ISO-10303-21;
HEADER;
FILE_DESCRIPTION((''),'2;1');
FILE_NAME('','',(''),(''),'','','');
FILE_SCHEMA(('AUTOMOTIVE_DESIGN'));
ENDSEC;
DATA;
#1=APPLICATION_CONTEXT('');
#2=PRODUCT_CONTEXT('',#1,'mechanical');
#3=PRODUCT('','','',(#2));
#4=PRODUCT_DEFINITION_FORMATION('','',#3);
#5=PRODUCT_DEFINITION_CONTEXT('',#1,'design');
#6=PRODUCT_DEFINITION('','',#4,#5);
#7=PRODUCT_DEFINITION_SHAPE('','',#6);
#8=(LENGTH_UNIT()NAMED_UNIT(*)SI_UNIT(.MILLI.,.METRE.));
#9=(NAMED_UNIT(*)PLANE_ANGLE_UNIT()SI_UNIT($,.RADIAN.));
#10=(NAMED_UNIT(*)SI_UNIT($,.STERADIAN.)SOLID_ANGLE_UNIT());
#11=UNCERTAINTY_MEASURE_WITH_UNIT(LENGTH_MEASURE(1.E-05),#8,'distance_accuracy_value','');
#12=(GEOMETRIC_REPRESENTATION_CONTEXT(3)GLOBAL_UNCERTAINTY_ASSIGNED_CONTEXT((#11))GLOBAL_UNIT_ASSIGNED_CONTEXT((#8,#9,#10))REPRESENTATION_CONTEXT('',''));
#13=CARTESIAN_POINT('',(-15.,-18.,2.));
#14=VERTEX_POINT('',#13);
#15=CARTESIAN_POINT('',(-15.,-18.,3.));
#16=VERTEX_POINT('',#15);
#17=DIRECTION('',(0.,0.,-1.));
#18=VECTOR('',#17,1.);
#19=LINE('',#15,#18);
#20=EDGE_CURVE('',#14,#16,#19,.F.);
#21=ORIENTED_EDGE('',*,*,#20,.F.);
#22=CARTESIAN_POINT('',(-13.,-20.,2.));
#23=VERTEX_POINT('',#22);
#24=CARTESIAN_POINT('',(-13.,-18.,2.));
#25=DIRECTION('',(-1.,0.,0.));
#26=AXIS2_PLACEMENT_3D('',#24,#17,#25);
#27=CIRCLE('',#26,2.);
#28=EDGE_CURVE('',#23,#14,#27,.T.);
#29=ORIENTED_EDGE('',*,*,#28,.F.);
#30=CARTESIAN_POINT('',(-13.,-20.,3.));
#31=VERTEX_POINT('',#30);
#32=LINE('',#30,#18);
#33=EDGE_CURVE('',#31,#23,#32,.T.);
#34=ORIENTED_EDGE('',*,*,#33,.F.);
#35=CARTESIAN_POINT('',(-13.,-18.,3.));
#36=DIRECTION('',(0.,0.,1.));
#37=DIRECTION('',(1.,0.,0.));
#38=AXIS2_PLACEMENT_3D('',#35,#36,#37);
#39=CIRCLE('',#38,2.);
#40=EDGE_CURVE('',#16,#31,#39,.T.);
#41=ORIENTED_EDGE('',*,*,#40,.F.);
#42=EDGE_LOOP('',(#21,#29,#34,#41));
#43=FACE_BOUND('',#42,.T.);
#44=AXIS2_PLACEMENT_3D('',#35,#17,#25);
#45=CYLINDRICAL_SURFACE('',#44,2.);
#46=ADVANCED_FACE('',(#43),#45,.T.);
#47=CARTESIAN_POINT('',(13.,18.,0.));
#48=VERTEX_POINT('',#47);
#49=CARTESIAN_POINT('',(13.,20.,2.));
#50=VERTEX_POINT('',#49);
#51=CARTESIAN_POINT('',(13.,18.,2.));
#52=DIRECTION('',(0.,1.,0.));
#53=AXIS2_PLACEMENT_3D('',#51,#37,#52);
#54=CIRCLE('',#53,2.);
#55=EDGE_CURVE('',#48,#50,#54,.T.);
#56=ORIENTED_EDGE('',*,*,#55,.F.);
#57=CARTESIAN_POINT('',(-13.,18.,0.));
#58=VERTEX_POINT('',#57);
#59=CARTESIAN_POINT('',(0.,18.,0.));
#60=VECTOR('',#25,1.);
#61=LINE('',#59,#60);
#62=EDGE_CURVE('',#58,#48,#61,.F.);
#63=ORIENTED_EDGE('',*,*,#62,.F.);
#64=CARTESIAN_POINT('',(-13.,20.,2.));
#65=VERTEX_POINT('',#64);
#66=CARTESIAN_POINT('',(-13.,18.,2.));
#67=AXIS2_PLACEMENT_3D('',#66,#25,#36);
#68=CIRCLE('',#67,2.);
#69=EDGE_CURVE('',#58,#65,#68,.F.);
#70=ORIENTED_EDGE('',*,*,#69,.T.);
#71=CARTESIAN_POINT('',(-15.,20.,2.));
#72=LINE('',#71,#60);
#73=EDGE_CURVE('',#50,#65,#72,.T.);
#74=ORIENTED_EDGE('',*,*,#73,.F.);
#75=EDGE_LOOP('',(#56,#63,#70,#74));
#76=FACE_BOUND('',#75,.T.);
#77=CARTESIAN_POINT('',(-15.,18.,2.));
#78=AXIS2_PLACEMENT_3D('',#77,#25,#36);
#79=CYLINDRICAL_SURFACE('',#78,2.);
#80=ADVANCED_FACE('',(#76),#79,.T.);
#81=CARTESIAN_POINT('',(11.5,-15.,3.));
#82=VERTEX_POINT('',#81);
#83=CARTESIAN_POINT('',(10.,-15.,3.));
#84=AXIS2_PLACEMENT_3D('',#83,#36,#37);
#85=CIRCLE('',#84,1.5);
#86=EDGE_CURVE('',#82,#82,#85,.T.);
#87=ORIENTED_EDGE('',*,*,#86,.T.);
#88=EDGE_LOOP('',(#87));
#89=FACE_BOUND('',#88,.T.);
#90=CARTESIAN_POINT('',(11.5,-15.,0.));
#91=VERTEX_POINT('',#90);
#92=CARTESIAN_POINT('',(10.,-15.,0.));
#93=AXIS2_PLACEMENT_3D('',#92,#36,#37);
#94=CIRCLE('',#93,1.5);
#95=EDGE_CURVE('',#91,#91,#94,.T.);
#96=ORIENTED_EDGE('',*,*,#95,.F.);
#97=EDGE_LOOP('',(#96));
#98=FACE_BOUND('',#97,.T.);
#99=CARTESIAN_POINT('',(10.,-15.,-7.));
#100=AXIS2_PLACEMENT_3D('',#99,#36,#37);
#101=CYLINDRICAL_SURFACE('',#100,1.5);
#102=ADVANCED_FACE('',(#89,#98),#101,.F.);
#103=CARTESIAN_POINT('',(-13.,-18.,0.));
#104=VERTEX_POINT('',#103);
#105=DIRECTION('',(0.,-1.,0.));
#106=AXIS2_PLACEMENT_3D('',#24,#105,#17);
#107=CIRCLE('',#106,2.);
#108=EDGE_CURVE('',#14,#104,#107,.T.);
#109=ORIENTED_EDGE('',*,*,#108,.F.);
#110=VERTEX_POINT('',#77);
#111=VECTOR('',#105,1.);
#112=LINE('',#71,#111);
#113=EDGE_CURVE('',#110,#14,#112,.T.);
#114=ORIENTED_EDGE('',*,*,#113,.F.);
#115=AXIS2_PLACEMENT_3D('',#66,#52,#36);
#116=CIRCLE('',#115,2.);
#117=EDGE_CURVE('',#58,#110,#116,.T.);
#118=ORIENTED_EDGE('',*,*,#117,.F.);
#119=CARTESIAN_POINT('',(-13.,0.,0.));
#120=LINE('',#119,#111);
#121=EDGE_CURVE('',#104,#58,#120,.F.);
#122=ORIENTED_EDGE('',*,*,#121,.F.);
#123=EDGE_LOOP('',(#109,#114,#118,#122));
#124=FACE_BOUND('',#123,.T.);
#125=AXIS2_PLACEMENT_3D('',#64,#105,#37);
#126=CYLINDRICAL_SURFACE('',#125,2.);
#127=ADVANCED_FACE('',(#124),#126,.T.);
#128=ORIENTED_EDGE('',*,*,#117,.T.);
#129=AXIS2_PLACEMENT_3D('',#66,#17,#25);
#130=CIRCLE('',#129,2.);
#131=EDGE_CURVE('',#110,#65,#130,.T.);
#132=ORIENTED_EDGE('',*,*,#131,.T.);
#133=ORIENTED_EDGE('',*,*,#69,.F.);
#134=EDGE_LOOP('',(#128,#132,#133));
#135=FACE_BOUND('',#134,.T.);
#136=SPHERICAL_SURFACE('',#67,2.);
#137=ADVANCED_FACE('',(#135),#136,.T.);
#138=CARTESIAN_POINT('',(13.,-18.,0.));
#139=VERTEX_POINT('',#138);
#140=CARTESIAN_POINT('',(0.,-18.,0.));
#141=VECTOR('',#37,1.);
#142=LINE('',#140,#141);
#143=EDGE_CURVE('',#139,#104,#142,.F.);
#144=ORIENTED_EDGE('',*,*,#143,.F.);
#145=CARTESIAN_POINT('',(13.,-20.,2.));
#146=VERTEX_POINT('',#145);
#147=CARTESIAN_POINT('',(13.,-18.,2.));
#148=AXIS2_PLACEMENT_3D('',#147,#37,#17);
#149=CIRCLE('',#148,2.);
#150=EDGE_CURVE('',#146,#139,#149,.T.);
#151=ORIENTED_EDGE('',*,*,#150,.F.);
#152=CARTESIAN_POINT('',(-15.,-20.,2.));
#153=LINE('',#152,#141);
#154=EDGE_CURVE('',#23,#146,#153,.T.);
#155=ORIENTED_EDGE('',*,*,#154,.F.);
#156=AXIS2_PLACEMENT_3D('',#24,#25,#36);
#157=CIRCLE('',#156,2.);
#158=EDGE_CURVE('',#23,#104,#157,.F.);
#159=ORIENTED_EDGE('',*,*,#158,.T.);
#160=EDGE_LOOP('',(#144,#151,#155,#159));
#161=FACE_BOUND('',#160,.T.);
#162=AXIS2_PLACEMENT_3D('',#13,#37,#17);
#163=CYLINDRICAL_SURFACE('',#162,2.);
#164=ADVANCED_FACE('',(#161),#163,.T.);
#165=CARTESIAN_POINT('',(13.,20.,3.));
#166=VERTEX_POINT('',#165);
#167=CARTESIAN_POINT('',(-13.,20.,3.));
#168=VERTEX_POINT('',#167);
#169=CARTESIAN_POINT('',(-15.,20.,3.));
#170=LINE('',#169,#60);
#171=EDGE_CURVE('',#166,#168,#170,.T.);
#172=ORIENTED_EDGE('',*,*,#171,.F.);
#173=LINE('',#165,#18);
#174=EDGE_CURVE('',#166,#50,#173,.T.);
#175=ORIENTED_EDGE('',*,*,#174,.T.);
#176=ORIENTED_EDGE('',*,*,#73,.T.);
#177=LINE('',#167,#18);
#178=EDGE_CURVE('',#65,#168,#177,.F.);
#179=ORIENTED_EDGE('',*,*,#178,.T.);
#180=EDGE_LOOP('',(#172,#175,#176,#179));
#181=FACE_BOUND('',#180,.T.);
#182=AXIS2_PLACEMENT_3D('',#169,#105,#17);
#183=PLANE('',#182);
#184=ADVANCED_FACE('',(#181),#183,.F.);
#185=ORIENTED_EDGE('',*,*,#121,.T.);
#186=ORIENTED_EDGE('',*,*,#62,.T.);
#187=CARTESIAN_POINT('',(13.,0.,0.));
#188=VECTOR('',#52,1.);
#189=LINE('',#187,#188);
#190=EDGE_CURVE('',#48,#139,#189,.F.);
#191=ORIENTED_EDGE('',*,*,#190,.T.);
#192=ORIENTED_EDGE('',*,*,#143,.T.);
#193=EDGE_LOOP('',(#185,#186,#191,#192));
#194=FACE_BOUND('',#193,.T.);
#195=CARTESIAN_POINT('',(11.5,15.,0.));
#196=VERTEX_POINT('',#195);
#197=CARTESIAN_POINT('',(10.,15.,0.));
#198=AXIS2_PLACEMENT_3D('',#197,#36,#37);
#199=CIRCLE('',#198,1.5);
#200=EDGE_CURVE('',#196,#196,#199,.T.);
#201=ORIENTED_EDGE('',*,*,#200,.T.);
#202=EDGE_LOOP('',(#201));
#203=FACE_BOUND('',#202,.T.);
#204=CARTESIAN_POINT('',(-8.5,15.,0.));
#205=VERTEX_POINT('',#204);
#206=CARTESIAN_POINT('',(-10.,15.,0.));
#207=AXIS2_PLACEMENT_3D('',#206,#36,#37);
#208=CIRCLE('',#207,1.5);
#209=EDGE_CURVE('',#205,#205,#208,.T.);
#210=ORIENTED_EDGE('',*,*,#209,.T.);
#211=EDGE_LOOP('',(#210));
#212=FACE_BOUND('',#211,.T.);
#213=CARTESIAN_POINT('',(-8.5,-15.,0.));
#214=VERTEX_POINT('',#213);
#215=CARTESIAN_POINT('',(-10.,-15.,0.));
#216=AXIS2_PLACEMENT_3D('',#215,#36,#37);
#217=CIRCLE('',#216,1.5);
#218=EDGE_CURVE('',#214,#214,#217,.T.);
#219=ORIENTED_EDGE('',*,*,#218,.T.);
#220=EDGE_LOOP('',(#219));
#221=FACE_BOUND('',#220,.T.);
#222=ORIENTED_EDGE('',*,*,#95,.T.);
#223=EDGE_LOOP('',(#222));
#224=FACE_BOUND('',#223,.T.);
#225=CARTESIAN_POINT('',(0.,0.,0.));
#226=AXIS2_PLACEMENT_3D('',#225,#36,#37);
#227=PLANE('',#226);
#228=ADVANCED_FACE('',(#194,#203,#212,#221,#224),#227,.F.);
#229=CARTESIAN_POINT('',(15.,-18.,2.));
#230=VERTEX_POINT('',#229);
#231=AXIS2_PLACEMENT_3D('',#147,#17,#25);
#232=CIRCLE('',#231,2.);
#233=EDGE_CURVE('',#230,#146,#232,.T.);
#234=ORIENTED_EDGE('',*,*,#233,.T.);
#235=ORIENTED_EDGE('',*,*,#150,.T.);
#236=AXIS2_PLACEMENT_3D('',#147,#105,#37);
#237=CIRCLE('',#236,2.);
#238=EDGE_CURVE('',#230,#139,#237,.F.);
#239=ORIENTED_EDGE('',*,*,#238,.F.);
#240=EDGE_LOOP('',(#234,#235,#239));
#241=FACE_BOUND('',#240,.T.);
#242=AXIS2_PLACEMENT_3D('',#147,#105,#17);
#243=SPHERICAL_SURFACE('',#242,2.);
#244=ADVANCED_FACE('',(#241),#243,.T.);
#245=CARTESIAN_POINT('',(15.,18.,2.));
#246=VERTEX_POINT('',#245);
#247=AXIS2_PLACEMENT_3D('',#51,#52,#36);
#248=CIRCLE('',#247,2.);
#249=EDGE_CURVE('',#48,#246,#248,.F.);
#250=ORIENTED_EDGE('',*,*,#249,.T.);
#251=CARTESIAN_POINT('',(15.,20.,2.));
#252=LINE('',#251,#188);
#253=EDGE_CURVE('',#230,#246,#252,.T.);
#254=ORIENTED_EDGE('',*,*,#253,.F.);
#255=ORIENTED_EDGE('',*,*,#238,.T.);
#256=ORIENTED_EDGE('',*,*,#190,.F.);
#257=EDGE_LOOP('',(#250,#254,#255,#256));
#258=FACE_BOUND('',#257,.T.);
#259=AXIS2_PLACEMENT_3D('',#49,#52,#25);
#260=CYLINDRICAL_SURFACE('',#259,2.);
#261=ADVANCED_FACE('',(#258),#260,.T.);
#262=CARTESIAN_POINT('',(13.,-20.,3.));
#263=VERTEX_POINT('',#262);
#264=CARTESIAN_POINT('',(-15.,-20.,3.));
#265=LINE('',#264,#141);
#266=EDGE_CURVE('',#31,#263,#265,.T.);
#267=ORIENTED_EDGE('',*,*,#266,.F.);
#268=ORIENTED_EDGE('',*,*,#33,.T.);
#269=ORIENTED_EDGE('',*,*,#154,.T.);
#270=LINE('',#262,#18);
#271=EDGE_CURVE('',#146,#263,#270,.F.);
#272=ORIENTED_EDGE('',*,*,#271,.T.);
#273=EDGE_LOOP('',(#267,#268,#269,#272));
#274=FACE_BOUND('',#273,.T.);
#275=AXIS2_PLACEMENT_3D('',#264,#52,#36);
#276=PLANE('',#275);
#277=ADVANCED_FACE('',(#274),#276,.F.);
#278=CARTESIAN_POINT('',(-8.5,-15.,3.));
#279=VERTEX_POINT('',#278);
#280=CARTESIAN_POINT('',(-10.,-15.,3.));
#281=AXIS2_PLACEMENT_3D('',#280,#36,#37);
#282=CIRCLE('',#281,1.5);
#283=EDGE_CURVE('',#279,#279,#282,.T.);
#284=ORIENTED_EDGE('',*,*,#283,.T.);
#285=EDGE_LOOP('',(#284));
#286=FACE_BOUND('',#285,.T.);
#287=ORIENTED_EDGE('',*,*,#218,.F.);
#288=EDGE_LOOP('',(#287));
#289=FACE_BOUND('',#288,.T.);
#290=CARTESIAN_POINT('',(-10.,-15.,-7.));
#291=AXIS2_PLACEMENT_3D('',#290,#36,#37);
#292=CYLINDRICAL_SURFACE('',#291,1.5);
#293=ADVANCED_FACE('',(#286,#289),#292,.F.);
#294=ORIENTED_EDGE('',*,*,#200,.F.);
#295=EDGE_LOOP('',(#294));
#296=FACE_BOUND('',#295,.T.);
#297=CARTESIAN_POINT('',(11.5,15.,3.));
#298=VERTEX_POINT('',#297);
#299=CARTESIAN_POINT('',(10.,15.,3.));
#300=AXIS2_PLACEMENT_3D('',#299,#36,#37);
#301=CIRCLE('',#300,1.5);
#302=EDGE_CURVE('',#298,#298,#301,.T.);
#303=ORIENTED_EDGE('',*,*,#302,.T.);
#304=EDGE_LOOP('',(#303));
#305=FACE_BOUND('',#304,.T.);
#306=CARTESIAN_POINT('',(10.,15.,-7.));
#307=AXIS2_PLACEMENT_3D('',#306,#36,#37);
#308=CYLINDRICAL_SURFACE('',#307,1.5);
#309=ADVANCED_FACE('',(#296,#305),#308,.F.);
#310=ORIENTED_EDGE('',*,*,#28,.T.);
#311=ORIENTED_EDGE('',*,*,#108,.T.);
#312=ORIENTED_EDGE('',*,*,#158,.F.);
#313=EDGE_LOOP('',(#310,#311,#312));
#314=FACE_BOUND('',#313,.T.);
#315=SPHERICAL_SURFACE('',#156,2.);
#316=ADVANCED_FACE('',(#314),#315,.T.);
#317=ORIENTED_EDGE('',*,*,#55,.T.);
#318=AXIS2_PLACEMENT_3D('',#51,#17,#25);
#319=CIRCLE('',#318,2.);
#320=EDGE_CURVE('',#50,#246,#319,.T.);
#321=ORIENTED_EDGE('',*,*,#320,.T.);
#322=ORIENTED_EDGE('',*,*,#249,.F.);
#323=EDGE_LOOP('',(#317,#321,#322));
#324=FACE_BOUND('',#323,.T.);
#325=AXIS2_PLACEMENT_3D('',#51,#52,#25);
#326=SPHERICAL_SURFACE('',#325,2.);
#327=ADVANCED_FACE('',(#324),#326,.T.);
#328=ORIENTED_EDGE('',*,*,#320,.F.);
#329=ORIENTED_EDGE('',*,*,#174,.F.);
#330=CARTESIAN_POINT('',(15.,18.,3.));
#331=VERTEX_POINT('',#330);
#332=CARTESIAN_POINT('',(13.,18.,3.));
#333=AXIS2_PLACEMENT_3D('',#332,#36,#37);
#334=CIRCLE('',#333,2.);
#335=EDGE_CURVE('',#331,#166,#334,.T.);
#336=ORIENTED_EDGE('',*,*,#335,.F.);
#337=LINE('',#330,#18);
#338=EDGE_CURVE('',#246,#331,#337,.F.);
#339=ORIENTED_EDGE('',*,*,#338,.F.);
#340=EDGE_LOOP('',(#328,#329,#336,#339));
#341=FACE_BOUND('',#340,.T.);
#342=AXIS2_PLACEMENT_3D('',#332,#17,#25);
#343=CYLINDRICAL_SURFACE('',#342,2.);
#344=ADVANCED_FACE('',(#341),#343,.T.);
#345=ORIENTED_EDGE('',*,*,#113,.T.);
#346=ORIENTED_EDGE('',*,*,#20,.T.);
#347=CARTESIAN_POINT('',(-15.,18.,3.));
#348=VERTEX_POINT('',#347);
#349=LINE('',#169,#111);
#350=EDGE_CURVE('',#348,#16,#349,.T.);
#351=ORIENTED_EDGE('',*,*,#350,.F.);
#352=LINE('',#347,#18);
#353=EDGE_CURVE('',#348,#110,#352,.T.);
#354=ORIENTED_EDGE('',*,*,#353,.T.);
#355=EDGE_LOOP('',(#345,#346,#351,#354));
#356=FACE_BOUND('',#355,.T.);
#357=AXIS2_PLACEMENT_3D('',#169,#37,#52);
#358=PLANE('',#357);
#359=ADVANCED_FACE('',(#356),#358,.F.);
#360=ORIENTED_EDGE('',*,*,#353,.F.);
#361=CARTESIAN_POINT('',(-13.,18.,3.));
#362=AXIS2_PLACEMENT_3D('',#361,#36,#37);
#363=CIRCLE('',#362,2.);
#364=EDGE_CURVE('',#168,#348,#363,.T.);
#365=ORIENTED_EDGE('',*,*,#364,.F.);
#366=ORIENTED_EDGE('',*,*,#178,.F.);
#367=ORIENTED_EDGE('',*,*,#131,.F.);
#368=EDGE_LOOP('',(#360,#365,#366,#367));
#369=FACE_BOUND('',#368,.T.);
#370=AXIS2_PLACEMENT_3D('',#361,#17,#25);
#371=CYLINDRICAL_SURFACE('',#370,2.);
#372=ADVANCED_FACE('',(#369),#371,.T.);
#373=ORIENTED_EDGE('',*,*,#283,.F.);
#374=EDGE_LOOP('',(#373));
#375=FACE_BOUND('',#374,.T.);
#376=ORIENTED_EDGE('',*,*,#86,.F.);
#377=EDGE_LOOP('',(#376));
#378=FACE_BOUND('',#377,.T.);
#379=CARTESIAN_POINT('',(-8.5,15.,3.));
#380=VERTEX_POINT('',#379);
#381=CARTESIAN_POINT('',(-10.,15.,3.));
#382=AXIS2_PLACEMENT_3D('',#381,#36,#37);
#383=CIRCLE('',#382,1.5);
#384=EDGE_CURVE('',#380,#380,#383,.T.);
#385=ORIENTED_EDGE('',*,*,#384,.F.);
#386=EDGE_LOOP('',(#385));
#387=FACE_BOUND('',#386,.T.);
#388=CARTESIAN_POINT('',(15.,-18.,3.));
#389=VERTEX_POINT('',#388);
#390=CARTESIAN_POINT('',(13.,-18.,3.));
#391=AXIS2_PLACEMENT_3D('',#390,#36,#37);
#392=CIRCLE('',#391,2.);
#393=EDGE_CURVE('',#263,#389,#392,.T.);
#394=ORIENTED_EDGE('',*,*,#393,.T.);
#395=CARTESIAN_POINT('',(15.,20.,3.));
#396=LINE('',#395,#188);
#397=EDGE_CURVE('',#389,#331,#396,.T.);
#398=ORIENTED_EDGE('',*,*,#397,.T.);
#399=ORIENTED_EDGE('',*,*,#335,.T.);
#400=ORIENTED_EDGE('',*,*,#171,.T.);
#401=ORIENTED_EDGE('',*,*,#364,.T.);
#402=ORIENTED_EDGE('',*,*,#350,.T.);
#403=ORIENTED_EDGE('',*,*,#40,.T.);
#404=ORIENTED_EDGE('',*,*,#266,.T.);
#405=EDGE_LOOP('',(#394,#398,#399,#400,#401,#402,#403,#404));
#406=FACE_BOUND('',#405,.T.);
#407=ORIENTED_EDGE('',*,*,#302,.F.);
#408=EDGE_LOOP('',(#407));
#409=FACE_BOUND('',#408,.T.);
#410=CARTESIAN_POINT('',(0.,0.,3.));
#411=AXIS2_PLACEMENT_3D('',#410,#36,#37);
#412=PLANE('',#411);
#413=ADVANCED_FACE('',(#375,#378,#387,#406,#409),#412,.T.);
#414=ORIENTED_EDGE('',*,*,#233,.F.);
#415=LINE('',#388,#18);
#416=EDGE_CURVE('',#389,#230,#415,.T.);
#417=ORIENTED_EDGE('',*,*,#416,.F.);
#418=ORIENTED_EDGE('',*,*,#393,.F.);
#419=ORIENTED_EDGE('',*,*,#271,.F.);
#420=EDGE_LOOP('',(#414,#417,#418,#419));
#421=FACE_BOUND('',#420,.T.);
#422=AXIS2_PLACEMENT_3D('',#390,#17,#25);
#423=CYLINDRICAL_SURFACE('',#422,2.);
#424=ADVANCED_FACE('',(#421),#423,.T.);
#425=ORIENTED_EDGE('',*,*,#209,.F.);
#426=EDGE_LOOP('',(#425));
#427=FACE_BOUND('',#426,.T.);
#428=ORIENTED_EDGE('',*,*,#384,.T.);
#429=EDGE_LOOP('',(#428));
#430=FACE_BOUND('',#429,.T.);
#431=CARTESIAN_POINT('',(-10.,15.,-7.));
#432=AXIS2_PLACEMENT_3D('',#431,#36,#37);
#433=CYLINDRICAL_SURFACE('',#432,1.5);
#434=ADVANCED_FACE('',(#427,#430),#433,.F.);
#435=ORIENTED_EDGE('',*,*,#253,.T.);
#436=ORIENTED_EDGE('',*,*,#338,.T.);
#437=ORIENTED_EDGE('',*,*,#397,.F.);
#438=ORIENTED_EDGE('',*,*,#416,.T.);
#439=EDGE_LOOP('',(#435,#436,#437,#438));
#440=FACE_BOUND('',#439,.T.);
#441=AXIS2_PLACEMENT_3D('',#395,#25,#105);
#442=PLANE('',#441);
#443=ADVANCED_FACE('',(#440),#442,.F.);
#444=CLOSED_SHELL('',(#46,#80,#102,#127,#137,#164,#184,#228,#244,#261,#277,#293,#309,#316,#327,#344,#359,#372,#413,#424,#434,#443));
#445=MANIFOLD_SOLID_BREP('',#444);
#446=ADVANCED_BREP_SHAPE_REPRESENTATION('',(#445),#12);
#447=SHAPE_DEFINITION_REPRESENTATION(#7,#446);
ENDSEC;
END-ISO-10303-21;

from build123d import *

# Parameters (mm, degrees)
SKETCH_1_W          = 30
SKETCH_1_H          = 40
EXTRUDE_1_DEPTH     = 3
SKETCH_2_R          = 1.5
CUT_EXTRUDE_1_DEPTH = 10
FILLET_1_R          = 2


with BuildPart() as part:
    # 草图1 → 凸台-拉伸1 (new body)
    with BuildSketch(Plane.XY):
        Rectangle(SKETCH_1_W, SKETCH_1_H)
    extrude(amount=EXTRUDE_1_DEPTH)

    # 草图2 → 切除-拉伸1 (cut)
    with BuildSketch(Plane.XY.offset(3)):
        with Locations((10, 15)):
            Circle(SKETCH_2_R)
        with Locations((-10, 15)):
            Circle(SKETCH_2_R)
        with Locations((10, -15)):
            Circle(SKETCH_2_R)
        with Locations((-10, -15)):
            Circle(SKETCH_2_R)
    extrude(amount=-CUT_EXTRUDE_1_DEPTH, mode=Mode.SUBTRACT)

    # 圆角1
    fillet_1_edges = [part.edges().sort_by_distance(p)[0] for p in [
        (0, -20, 0),
        (-15, 0, 0),
        (0, 20, 0),
        (15, 0, 0),
        (15, -20, 1.5),
        (-15, -20, 1.5),
        (-15, 20, 1.5),
        (15, 20, 1.5),
    ]]
    fillet(fillet_1_edges, radius=FILLET_1_R)


solid = part.part
